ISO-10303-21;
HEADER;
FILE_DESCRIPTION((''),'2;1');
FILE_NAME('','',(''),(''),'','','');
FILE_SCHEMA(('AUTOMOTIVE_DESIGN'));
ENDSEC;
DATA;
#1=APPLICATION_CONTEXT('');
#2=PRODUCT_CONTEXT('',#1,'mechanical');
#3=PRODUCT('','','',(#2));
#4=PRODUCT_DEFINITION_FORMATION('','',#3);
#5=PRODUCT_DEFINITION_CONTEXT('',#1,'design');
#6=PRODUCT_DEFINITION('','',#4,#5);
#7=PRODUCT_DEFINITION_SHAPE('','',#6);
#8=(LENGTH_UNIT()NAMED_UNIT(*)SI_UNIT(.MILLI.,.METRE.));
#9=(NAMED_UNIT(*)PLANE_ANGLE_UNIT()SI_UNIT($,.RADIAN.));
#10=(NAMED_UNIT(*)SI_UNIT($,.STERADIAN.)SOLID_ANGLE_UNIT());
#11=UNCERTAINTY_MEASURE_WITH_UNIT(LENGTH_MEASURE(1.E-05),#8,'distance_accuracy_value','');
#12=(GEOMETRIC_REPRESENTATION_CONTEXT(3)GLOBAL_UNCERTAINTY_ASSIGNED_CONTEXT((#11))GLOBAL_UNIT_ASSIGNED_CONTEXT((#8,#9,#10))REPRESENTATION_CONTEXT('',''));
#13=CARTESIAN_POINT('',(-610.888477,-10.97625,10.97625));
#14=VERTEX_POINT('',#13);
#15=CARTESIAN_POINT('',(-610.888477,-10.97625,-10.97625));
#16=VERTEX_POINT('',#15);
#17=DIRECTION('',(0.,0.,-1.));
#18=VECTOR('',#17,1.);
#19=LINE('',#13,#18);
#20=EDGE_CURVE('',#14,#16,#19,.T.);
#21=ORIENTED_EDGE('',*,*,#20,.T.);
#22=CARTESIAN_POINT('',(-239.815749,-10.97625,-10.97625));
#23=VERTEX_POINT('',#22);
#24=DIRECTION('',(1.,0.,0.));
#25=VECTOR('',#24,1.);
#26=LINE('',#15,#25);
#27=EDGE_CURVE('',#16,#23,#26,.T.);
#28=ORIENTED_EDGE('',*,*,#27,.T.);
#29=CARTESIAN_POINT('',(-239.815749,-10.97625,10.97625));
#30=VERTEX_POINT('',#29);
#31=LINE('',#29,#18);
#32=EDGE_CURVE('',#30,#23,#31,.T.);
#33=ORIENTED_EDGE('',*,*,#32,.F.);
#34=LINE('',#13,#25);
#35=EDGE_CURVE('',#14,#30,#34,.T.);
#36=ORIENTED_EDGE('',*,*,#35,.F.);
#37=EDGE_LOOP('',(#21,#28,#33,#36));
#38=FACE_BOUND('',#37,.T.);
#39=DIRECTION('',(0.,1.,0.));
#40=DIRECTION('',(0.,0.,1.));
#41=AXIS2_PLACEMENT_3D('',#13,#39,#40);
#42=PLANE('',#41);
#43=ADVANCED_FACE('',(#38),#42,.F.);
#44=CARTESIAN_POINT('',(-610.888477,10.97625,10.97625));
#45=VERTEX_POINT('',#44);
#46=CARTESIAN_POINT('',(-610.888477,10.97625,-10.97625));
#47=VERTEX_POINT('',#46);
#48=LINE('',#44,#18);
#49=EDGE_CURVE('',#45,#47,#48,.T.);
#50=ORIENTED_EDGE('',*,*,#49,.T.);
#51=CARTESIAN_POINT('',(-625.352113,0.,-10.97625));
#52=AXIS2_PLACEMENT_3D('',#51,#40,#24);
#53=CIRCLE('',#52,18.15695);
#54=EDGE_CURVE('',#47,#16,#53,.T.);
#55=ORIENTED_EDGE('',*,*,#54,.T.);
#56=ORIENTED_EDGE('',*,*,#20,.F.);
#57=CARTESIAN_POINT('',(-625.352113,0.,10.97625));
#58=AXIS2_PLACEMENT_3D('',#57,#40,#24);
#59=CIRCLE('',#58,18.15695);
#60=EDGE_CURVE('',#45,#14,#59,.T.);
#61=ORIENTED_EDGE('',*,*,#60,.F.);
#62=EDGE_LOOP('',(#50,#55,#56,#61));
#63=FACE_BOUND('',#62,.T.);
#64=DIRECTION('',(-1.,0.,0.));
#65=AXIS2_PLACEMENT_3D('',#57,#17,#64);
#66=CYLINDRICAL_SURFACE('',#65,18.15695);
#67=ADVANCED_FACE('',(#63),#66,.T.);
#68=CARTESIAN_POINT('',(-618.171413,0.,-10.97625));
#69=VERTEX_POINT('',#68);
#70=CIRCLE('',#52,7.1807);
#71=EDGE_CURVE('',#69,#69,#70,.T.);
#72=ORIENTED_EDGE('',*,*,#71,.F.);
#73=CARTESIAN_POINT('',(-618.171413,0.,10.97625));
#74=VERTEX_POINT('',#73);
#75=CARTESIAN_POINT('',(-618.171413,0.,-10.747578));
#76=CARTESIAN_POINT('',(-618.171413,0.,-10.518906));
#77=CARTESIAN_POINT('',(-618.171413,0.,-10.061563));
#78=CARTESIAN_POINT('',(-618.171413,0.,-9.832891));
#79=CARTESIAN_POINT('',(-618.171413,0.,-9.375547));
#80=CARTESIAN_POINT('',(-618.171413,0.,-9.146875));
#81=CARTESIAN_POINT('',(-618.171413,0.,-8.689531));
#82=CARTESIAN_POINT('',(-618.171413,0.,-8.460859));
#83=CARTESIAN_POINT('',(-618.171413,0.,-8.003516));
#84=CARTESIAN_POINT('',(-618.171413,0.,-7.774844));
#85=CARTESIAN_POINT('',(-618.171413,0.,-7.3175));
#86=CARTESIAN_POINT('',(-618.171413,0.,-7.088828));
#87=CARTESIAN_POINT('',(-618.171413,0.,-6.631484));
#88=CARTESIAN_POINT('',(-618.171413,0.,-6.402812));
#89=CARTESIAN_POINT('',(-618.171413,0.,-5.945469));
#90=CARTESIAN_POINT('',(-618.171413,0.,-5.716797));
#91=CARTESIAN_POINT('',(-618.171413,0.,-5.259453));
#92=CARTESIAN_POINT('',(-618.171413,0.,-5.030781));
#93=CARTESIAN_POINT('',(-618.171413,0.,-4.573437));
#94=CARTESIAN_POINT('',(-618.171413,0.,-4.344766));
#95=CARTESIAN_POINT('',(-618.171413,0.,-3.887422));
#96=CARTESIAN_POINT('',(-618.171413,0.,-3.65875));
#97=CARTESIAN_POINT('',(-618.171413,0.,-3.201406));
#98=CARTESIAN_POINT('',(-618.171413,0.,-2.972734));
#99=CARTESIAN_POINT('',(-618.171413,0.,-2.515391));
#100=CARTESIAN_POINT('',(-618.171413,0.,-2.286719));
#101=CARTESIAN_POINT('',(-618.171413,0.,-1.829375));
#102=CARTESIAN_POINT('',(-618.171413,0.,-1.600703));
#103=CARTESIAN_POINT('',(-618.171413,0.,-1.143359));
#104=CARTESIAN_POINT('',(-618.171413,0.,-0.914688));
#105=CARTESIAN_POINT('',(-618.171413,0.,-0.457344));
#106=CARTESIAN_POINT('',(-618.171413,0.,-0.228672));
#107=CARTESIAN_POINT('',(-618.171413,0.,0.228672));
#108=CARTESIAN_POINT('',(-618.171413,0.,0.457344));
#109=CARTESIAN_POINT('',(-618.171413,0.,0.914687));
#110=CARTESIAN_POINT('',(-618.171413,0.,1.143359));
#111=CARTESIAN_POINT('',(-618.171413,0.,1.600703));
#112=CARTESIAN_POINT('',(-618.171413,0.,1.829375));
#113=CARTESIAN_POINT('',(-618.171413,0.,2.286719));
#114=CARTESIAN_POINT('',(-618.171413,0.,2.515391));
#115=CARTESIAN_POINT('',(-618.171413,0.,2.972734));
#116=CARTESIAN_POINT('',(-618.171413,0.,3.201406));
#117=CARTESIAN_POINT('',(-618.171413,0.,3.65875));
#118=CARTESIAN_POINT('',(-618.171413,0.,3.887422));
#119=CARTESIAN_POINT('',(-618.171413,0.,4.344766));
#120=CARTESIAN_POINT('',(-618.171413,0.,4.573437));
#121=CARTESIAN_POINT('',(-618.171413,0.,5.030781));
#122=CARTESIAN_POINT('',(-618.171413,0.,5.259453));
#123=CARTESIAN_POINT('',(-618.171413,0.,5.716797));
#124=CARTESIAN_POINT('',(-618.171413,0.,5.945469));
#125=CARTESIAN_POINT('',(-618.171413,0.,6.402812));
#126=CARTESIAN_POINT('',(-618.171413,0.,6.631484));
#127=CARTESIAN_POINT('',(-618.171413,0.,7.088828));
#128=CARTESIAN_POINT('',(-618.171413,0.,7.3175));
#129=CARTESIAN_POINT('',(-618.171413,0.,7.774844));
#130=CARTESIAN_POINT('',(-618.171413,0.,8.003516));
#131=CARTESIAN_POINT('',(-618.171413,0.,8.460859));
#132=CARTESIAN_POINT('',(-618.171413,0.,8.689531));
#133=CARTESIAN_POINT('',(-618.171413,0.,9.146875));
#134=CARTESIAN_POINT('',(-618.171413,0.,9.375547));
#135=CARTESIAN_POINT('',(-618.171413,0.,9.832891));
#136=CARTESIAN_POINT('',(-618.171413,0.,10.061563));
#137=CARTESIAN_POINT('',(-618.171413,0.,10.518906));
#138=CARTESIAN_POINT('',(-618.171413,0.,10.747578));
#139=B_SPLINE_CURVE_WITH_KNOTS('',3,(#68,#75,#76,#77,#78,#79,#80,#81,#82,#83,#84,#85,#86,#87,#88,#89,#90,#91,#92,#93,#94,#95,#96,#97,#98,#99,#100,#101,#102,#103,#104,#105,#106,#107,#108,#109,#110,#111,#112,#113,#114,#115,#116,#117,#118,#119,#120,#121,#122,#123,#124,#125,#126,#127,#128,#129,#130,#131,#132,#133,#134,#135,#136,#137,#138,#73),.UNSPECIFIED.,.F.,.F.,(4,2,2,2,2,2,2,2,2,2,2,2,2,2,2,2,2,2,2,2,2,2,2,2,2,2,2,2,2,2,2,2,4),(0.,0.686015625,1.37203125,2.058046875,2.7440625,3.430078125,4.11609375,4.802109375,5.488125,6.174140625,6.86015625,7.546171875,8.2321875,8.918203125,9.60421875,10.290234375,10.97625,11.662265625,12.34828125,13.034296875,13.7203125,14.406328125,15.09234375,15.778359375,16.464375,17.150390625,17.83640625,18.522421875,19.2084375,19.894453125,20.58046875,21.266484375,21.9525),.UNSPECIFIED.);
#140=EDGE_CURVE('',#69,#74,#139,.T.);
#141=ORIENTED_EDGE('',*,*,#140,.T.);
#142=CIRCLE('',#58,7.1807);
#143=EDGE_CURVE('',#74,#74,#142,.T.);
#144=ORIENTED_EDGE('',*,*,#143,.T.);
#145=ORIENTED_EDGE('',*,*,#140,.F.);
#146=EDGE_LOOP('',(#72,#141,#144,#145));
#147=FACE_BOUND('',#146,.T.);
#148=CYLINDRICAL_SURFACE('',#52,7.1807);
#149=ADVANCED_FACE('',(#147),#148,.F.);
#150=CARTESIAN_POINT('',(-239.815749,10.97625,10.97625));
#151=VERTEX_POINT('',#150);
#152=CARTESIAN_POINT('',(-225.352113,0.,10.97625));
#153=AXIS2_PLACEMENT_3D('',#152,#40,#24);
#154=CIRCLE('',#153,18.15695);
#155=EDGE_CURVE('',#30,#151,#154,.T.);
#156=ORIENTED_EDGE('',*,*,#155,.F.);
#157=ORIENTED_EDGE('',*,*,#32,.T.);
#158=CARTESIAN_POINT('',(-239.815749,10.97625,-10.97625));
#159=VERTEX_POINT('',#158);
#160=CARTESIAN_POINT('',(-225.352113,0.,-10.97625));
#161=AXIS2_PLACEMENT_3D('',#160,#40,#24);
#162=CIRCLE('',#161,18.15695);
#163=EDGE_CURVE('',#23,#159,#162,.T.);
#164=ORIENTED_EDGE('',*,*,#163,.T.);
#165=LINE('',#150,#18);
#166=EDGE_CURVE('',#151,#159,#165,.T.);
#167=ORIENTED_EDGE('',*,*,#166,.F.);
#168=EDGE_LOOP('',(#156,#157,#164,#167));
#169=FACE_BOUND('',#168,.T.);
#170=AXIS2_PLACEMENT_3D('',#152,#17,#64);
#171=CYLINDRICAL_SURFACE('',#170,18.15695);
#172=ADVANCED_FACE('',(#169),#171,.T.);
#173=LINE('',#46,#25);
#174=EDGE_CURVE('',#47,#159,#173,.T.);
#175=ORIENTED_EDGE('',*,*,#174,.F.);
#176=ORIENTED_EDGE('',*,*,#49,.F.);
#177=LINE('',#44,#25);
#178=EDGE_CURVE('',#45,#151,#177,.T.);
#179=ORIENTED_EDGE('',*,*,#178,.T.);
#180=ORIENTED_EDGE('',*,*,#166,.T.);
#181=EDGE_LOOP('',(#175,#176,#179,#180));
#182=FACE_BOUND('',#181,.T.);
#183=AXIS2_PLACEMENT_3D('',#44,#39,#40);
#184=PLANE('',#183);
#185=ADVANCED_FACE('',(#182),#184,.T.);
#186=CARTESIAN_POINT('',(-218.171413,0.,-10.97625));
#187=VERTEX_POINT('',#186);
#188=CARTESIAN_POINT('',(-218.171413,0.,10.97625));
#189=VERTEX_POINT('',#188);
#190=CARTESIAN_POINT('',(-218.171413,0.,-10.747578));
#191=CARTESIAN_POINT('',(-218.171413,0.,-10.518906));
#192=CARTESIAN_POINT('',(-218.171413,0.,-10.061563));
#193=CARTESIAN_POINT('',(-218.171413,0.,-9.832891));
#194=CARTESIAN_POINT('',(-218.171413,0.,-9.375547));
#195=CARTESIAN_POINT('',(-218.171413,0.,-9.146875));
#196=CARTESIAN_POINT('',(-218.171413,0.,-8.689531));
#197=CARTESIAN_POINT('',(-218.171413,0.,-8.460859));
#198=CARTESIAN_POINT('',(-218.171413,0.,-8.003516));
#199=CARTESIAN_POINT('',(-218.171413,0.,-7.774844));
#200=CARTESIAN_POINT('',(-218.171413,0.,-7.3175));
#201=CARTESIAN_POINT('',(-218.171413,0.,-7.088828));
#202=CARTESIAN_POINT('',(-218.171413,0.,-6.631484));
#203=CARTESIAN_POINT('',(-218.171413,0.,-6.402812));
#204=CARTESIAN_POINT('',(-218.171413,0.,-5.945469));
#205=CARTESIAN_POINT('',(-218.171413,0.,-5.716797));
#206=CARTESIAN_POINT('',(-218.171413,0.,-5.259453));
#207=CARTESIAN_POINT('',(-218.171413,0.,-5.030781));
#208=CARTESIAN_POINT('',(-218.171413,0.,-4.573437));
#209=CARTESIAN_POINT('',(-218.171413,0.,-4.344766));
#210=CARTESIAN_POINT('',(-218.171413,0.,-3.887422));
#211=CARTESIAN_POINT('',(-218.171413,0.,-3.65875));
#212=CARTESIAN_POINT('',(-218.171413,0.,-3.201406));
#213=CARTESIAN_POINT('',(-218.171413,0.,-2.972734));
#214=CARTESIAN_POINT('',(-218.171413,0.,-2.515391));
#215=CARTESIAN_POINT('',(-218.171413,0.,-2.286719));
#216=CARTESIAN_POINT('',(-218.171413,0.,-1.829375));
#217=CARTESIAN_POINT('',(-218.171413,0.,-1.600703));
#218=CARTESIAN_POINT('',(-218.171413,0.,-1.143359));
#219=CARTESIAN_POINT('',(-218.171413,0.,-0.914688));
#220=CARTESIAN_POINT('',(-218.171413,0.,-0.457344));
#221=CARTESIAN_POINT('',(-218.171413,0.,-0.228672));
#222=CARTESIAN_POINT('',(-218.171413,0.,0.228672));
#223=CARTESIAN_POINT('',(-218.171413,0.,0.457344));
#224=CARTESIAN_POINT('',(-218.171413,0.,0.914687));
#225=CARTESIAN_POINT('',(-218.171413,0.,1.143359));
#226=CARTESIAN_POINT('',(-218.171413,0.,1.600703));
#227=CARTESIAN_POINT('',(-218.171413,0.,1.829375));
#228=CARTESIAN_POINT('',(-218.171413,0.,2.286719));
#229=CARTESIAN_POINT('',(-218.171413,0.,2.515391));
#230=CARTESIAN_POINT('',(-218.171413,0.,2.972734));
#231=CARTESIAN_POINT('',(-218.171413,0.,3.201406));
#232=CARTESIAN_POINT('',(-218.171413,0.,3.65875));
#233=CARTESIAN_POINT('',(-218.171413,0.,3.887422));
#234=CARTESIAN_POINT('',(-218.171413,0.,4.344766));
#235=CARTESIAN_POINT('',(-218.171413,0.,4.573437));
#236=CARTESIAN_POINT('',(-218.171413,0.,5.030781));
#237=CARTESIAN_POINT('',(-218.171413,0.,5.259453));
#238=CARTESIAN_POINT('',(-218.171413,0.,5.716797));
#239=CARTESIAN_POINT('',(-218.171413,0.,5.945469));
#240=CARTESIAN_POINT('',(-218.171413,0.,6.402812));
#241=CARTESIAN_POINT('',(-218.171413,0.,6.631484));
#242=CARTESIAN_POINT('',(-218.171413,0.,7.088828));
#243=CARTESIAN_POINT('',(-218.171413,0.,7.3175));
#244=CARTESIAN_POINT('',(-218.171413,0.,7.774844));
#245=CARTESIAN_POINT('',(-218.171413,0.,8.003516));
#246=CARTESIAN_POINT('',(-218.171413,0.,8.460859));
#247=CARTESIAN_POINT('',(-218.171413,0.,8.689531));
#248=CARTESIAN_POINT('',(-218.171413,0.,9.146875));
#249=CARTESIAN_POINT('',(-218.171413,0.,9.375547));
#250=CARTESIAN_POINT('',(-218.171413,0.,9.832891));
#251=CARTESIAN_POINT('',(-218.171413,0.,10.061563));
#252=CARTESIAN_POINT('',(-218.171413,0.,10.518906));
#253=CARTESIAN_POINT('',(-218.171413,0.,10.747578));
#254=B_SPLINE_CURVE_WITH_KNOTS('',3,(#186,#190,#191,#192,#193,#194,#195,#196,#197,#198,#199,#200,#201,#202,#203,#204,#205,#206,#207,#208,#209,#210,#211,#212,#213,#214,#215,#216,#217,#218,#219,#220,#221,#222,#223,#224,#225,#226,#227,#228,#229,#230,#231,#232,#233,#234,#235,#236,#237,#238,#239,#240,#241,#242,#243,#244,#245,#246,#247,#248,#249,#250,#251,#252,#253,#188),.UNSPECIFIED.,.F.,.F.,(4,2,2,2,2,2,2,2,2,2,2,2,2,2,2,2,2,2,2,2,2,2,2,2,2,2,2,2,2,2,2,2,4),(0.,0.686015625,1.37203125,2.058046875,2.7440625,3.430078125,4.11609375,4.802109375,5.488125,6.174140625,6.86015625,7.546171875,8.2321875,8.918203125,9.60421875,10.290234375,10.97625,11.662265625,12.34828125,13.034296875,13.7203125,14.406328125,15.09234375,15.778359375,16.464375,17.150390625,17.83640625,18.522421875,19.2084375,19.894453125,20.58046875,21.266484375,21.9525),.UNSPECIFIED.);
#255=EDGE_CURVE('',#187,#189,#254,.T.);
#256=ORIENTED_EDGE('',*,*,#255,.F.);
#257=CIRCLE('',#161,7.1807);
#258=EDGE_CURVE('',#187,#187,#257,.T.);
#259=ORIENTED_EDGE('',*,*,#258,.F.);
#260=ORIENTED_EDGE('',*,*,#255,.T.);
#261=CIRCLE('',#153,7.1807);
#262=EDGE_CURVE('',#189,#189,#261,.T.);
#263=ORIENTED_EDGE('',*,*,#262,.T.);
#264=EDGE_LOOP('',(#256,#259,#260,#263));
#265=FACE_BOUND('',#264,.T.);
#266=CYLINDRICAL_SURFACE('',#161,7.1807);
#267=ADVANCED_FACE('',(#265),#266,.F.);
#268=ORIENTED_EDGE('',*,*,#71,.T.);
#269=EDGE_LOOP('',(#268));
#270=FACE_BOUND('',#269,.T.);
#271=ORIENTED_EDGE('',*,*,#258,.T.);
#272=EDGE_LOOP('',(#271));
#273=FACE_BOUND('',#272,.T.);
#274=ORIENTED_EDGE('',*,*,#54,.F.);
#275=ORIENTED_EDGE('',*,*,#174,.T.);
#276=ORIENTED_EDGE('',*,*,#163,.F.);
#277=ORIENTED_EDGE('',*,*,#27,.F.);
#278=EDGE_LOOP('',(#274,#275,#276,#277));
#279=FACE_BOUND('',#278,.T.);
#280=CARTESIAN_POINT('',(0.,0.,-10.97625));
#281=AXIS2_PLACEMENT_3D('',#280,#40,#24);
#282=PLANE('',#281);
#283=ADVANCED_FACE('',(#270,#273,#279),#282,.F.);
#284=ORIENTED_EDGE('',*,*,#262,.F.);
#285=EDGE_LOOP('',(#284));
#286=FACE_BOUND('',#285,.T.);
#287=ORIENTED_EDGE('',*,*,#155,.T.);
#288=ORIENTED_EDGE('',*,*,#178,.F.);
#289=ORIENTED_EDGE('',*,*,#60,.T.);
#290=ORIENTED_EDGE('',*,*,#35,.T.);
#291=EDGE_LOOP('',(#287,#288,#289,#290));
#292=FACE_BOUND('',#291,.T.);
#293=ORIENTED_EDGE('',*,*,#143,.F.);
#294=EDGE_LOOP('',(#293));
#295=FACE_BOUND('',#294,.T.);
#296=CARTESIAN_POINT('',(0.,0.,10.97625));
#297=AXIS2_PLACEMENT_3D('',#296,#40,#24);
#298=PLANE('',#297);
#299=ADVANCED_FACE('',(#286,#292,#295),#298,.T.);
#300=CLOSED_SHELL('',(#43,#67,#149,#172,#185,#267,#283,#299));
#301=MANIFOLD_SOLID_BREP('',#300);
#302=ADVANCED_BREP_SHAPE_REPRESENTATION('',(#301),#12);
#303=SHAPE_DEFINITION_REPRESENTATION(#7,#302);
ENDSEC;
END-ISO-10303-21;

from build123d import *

# Parameters (mm, degrees)
SKETCH3_R           = 18.15695
SKETCH3_W           = 371.0727278
SKETCH3_H           = 21.9525
BOSS_EXTRUDE1_DEPTH = 10.97625
SKETCH4_R           = 7.1807
CUT_EXTRUDE1_DEPTH  = 645.139348927


with BuildPart() as part:
    # Sketch3 → Boss-Extrude1 (new, symmetric)
    with BuildSketch(Plane.XY):
        with Locations((-625.352112676, 0)):
            Circle(SKETCH3_R)
        with Locations((-225.352112676, 0)):
            Circle(SKETCH3_R)
        with Locations((-425.352112676, 0)):
            Rectangle(SKETCH3_W, SKETCH3_H)
    extrude(amount=BOSS_EXTRUDE1_DEPTH, both=True)

    # Sketch4 → Cut-Extrude1 (cut, through all)
    with BuildSketch(Plane.XY.offset(10.97625)):
        with Locations((-625.352112676, 0)):
            Circle(SKETCH4_R)
        with Locations((-225.352112676, 0)):
            Circle(SKETCH4_R)
    extrude(amount=-CUT_EXTRUDE1_DEPTH, mode=Mode.SUBTRACT)


solid = part.part
